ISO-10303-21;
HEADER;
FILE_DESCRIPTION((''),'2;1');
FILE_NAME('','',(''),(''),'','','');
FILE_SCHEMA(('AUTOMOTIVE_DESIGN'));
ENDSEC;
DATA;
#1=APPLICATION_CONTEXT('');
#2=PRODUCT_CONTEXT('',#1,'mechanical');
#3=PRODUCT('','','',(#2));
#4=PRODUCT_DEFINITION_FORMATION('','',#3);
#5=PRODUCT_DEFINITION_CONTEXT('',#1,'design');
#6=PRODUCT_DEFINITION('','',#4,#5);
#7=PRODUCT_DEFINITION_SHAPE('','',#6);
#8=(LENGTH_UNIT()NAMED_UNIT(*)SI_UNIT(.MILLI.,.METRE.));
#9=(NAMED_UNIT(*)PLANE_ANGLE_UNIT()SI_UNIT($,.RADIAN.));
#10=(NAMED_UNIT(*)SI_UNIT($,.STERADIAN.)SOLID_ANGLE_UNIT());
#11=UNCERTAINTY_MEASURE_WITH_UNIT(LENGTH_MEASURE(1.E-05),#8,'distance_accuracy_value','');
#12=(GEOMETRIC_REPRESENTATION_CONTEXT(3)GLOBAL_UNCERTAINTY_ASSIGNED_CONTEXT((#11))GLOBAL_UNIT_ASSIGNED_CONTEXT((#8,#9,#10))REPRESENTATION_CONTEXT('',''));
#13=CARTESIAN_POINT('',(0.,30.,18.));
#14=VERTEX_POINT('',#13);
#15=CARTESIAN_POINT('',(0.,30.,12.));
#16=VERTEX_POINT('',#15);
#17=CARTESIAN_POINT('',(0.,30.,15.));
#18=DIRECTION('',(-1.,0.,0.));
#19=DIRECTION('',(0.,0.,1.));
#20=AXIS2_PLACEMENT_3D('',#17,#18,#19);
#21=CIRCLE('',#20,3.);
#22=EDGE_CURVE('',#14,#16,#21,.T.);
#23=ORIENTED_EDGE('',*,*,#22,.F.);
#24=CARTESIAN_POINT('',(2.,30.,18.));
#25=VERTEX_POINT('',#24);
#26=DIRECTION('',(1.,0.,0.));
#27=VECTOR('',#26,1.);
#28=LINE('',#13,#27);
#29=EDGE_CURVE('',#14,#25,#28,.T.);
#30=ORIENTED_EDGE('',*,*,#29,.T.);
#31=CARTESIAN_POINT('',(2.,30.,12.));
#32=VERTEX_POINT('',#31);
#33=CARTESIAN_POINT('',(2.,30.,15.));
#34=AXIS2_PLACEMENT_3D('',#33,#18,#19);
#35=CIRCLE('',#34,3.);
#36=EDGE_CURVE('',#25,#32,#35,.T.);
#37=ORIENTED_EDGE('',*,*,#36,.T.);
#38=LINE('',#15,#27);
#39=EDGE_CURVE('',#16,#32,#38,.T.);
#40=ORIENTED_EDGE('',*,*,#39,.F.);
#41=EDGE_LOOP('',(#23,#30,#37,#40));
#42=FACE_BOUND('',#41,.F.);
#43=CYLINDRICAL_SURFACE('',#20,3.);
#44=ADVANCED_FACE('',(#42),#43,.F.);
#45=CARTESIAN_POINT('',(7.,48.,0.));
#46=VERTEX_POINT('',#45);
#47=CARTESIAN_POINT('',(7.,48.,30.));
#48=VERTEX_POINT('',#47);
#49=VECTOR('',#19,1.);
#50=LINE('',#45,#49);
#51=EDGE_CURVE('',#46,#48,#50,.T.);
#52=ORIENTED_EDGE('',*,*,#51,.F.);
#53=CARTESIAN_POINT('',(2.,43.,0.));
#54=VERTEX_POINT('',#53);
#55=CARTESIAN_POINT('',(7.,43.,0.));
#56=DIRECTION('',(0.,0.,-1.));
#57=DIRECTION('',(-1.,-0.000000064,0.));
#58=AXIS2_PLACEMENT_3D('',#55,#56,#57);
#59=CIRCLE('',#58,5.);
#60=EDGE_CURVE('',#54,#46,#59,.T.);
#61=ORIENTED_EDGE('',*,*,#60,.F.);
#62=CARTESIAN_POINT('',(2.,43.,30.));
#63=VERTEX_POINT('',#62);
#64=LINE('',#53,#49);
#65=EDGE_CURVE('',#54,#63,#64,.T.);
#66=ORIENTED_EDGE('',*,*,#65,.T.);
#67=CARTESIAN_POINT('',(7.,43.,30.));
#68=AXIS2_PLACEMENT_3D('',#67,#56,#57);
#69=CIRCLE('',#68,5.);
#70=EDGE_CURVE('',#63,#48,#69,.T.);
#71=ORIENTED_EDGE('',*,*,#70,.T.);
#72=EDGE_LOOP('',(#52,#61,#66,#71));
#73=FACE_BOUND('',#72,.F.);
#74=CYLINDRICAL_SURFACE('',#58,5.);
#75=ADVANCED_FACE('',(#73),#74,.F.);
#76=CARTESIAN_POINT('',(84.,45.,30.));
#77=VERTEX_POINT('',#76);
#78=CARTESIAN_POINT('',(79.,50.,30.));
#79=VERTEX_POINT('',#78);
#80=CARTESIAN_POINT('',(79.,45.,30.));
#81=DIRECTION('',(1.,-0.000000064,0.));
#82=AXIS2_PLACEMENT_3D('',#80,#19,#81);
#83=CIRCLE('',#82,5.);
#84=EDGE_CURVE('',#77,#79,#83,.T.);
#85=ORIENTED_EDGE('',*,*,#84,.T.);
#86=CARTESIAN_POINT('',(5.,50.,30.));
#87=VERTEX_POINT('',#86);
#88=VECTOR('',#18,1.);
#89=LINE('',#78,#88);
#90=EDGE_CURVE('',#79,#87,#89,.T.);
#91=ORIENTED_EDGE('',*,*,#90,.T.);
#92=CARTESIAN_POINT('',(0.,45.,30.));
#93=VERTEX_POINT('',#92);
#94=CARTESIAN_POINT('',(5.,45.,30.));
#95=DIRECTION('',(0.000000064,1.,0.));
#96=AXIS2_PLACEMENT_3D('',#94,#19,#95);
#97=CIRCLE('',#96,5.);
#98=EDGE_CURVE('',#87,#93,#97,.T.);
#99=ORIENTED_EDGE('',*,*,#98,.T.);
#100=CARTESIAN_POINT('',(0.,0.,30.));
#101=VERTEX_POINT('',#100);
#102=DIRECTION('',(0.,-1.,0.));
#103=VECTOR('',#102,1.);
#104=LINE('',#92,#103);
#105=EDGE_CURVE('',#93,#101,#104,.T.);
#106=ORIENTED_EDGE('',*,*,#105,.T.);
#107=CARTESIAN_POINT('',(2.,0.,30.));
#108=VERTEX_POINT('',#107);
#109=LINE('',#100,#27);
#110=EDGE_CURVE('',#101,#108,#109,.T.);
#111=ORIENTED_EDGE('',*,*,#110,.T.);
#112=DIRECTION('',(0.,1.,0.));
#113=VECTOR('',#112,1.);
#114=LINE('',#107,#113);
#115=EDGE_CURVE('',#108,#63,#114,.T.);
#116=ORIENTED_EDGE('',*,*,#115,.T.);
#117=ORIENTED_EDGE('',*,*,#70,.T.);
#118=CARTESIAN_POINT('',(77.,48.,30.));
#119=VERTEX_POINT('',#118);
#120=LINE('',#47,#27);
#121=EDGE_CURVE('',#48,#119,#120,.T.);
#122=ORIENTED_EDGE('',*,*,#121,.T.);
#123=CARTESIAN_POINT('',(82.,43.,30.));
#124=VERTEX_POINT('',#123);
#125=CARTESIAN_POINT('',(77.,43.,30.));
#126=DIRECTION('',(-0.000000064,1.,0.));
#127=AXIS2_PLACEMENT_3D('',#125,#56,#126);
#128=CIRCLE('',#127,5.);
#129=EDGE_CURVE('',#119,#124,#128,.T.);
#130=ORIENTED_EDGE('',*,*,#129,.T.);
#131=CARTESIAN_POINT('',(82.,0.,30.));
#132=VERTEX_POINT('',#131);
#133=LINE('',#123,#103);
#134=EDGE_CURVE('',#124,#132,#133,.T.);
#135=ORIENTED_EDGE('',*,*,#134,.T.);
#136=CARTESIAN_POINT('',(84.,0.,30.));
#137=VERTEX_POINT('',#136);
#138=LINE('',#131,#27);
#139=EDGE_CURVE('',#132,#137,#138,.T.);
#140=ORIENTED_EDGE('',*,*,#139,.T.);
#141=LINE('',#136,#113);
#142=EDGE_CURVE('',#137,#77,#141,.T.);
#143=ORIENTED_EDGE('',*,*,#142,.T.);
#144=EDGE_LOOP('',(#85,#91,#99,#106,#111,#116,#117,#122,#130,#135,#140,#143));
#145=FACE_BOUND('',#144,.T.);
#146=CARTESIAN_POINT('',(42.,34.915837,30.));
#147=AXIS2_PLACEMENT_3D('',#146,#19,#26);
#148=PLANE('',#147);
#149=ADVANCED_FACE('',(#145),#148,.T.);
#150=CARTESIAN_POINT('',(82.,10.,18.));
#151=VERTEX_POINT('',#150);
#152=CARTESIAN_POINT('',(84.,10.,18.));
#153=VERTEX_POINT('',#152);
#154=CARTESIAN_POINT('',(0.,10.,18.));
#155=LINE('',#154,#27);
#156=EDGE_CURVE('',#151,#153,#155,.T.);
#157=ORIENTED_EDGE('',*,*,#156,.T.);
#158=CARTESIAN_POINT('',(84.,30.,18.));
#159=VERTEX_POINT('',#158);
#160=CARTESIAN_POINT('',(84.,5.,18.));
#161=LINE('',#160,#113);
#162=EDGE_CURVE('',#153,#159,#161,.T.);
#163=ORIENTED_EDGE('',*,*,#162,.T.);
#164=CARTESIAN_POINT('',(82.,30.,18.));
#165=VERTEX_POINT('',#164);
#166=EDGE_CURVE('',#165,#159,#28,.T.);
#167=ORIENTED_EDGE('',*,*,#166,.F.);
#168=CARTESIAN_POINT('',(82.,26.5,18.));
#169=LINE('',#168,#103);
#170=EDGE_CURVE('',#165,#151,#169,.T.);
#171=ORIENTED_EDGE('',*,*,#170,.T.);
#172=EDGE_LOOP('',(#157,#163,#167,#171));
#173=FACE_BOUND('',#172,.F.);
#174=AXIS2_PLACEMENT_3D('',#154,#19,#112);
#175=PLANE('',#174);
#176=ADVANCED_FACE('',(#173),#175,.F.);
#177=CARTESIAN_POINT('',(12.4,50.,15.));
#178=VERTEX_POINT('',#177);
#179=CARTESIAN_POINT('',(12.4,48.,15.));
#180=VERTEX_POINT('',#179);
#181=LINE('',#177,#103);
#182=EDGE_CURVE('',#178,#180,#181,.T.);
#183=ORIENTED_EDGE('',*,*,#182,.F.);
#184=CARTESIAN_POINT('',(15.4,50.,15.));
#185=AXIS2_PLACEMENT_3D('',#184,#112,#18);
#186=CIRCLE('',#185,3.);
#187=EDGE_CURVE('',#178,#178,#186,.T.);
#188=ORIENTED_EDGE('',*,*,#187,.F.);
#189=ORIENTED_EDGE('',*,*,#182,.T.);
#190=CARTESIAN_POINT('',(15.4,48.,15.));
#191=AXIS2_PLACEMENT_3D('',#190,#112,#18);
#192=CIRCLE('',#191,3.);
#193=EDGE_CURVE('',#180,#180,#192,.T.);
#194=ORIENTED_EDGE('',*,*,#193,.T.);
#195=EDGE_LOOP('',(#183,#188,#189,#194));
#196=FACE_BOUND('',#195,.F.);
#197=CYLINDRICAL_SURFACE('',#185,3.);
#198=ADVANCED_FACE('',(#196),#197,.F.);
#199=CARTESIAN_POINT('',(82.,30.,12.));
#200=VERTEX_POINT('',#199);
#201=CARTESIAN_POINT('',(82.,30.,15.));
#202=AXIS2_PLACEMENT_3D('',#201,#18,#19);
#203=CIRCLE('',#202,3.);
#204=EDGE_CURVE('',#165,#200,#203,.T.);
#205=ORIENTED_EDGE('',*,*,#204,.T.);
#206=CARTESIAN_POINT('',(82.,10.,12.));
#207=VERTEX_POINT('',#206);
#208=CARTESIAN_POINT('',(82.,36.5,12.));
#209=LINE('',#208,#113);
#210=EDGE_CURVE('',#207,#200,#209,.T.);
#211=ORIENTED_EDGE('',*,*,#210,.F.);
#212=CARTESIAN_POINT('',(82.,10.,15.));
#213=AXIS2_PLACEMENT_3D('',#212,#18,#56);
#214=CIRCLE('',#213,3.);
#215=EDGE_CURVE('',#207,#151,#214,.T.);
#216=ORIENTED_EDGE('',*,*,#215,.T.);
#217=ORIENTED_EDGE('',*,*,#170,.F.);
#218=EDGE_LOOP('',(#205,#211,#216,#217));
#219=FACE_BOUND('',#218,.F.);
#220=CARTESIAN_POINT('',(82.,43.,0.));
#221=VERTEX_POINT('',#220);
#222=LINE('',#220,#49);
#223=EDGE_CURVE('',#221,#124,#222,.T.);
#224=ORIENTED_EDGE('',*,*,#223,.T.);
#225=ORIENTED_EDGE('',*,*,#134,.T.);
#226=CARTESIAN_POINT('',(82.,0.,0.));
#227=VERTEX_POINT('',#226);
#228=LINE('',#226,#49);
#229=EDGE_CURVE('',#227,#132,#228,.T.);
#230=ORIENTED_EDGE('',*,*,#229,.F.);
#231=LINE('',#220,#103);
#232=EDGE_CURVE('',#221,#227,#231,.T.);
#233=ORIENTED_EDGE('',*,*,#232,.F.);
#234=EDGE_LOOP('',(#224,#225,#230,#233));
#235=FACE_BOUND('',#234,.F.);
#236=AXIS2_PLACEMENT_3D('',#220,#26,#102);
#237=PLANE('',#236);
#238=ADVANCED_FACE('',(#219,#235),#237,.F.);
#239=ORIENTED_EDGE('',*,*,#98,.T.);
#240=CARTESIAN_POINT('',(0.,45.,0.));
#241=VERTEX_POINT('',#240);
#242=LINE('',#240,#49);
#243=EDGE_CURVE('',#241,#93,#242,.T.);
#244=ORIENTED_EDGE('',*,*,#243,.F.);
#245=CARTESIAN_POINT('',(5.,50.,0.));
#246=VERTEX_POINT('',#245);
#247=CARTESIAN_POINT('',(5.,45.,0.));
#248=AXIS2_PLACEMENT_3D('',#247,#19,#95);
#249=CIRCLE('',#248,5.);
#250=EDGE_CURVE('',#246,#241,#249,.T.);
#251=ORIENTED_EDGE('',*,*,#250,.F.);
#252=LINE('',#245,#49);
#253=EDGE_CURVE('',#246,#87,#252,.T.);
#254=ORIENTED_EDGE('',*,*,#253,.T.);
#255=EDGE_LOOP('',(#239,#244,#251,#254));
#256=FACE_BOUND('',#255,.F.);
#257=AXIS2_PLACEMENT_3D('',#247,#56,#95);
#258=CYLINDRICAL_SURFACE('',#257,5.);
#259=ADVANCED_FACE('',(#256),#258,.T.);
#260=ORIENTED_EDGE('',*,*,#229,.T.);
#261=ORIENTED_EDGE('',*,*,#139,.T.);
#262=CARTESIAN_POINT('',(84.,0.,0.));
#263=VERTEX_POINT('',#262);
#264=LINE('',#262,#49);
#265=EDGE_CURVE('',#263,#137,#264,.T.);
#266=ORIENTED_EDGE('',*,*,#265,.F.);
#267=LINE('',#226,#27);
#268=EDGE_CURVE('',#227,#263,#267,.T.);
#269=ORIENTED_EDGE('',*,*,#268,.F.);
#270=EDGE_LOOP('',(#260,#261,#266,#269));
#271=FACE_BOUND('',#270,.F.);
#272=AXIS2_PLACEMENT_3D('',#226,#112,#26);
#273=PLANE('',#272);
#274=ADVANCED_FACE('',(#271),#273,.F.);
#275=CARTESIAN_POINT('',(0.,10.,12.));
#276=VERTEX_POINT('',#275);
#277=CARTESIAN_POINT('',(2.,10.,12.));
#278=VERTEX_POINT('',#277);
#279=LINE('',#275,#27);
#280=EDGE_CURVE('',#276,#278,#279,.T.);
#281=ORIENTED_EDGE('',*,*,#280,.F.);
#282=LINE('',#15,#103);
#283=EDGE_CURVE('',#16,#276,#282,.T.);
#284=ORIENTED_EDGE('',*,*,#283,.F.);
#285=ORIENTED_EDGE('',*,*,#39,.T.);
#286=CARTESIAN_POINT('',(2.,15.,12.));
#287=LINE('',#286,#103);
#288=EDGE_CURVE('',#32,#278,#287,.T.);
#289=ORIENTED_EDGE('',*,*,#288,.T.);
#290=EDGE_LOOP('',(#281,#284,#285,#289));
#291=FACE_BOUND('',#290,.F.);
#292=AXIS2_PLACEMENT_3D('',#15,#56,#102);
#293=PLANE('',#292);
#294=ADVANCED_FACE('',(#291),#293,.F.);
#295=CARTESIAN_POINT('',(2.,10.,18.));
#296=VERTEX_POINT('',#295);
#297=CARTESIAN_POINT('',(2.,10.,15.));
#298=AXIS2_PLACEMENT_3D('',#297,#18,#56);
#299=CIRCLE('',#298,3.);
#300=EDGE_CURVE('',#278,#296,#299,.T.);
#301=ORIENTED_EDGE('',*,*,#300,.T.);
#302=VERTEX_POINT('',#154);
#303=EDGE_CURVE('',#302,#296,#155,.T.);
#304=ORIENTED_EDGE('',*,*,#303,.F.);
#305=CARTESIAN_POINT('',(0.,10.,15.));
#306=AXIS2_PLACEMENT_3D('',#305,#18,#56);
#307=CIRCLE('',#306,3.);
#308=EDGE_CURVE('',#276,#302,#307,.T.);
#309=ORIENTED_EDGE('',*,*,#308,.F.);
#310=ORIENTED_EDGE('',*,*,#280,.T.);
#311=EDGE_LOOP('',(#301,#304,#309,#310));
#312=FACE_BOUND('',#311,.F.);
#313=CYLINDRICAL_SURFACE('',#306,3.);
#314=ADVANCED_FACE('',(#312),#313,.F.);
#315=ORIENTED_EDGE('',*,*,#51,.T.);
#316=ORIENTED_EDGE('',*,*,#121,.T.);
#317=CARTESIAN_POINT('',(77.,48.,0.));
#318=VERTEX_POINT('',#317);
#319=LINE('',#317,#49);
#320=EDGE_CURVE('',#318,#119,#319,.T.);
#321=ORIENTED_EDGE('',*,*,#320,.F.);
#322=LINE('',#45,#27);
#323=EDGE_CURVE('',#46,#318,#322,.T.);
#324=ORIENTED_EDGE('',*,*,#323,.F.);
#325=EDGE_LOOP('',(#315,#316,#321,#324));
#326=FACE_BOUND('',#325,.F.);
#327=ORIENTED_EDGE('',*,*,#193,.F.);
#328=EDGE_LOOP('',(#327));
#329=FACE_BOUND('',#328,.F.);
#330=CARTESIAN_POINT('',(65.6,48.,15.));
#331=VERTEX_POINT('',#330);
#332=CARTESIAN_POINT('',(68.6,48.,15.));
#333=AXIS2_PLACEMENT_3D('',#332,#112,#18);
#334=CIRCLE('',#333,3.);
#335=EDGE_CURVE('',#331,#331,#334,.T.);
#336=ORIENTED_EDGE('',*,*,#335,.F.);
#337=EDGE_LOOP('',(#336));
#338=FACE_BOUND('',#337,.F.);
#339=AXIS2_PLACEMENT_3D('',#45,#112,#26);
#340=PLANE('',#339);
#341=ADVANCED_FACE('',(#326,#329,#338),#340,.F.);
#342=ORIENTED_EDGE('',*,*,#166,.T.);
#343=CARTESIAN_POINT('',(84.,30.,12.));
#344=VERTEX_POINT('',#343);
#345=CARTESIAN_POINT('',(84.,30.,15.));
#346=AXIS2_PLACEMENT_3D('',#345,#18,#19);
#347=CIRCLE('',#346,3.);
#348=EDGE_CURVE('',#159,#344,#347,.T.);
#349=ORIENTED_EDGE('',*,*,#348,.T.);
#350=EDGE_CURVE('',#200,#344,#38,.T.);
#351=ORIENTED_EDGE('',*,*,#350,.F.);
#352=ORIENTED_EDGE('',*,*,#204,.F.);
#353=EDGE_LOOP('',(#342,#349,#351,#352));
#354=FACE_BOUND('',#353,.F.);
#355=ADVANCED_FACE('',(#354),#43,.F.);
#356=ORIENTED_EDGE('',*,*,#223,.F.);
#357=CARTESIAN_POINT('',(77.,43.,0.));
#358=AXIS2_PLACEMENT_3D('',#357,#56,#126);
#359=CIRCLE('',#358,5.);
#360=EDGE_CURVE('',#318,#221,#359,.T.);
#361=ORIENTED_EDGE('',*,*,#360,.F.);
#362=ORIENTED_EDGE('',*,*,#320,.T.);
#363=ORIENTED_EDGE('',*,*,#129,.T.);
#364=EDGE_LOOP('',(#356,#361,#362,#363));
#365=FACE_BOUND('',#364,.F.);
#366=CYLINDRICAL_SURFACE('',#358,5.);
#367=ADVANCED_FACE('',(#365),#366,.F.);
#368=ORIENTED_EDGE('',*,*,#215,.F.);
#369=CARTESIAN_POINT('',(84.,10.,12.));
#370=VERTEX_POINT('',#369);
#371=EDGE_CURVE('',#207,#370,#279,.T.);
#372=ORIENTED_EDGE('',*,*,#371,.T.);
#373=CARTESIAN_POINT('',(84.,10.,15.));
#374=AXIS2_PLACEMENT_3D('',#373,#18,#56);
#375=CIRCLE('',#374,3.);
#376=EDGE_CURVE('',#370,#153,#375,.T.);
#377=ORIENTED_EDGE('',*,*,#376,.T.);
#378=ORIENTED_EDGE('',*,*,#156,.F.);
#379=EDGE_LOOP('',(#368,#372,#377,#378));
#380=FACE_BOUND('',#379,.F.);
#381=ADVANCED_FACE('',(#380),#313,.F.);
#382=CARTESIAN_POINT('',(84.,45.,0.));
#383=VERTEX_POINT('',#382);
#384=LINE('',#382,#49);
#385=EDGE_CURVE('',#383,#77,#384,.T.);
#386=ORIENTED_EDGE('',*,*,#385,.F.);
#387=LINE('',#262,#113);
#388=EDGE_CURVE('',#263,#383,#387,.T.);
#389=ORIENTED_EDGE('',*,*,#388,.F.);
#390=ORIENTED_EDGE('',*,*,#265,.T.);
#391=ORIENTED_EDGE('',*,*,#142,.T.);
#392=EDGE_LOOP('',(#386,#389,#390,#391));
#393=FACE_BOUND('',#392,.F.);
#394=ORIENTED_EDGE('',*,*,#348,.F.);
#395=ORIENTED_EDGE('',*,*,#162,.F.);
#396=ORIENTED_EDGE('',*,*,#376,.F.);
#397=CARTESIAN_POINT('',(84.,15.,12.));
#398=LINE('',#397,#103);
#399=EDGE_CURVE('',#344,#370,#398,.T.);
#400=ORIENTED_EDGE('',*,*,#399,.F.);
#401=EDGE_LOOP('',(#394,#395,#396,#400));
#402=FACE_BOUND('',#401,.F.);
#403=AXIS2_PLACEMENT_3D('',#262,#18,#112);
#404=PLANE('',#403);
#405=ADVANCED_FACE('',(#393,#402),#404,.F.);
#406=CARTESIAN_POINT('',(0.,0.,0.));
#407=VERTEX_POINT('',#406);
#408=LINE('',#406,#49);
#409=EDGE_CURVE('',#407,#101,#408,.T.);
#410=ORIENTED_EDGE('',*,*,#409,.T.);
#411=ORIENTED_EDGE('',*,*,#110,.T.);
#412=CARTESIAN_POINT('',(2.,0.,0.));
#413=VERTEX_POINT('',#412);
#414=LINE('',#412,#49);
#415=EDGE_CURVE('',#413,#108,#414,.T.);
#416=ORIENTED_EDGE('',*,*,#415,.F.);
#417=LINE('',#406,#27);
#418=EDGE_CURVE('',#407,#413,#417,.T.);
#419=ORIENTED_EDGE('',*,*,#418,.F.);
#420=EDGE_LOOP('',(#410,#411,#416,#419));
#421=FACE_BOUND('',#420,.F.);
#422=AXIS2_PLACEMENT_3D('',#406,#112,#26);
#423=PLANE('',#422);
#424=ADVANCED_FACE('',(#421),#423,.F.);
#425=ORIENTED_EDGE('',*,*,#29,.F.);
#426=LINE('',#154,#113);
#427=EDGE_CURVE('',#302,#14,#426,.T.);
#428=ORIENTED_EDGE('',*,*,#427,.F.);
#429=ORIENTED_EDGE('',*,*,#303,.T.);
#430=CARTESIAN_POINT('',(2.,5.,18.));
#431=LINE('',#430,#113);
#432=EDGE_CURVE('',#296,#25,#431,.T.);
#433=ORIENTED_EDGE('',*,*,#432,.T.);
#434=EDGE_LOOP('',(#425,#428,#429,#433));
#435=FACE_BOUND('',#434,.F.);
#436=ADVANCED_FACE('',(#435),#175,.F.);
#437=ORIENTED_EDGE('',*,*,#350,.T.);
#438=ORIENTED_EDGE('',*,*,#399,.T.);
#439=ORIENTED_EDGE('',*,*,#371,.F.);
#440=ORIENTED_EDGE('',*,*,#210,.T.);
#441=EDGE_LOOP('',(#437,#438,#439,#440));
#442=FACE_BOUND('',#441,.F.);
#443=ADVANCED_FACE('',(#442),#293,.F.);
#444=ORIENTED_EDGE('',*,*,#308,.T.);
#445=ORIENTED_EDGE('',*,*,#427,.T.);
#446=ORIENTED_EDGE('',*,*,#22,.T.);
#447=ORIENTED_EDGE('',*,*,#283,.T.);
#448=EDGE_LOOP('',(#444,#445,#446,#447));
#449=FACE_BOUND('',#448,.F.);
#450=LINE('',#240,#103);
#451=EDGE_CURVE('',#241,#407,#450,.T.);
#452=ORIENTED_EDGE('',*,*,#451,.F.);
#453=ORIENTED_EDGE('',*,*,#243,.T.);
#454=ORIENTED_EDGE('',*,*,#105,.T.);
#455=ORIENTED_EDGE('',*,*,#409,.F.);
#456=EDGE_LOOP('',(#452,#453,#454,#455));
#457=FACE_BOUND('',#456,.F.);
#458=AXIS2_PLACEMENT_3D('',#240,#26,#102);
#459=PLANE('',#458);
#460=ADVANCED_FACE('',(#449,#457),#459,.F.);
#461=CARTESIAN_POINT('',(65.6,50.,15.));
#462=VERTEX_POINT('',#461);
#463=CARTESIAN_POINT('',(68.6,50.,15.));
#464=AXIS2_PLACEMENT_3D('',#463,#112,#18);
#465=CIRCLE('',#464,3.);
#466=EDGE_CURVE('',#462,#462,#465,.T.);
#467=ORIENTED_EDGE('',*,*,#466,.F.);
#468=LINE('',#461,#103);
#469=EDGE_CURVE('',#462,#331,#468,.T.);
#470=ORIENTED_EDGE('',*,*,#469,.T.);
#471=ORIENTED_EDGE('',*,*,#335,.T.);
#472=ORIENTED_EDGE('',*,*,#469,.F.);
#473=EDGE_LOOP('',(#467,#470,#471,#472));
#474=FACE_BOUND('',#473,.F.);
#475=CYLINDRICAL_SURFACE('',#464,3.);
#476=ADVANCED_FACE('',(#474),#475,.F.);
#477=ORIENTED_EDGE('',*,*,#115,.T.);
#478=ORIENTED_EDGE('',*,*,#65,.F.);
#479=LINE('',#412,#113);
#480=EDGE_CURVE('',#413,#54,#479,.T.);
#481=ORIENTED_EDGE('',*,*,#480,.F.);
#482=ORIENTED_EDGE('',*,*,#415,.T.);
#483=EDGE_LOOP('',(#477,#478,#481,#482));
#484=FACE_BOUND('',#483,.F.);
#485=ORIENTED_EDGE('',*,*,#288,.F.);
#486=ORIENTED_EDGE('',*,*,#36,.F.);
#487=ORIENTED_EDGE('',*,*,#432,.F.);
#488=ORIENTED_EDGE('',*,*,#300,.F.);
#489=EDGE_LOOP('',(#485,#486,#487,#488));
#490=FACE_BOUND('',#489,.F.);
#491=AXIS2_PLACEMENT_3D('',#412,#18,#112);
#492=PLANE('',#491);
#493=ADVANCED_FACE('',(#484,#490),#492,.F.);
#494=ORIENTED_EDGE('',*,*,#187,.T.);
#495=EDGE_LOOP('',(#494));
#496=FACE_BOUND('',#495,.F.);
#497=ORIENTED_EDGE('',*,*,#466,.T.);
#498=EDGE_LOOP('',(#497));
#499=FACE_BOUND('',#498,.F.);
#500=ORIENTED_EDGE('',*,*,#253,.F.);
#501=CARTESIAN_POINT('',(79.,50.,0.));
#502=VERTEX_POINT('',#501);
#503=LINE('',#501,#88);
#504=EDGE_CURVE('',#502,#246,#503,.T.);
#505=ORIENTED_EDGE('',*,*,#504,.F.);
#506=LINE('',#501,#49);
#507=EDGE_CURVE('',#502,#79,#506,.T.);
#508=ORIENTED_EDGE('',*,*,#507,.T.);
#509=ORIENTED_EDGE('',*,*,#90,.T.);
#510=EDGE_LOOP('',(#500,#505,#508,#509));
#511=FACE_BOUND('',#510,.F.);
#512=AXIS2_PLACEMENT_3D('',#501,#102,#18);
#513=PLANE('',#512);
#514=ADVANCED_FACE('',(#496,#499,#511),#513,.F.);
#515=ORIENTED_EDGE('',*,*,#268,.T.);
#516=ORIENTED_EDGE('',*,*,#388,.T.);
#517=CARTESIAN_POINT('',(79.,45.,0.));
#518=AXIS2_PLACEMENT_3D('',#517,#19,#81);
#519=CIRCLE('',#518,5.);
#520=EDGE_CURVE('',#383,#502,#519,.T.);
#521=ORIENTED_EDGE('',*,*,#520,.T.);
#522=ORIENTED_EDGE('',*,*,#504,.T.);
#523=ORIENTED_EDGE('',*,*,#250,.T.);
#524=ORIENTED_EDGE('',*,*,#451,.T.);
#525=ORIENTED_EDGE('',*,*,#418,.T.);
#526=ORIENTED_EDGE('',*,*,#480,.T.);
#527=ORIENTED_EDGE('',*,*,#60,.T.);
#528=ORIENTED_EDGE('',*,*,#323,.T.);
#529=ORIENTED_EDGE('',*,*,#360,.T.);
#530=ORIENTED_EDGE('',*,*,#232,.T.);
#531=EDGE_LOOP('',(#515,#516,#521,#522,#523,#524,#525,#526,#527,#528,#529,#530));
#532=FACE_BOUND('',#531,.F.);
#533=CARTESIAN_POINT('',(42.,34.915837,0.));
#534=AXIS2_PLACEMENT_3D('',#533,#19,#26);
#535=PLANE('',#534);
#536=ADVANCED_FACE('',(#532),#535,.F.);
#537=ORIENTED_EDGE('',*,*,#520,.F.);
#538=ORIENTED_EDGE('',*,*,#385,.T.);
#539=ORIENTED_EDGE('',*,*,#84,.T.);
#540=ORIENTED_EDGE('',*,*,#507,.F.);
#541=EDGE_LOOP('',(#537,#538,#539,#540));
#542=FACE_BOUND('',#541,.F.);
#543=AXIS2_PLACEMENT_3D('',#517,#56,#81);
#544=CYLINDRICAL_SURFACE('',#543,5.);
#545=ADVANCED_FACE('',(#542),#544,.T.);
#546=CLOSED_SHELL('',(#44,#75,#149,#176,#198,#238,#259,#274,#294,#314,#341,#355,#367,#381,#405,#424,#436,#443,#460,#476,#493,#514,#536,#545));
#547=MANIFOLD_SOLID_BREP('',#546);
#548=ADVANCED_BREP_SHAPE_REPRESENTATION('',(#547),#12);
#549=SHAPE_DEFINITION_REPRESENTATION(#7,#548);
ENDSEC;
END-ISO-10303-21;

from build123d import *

# Parameters (mm, degrees)
F1_DEPTH = 30
F3_DEPTH = 84.001
F4_R     = 3
F5_DEPTH = 50.001


with BuildPart() as f1:
    # F0 (on Top) → F1 (new body)
    with BuildSketch(Plane.XY):
        with BuildLine():
            Line((0, 45), (0, 0))
            Line((0, 0), (2, 0))
            Line((2, 0), (2, 43))
            ThreePointArc((2, 43), (3.464466, 46.535534), (7, 48))
            Line((7, 48), (77, 48))
            ThreePointArc((77, 48), (80.535534, 46.535534), (82, 43))
            Line((82, 43), (82, 0))
            Line((82, 0), (84, 0))
            Line((84, 0), (84, 45))
            ThreePointArc((84, 45), (82.535534, 48.535534), (79, 50))
            Line((79, 50), (5, 50))
            ThreePointArc((5, 50), (1.464466, 48.535534), (0, 45))
        make_face()
    extrude(amount=F1_DEPTH)

    # F2 (on face) → F3 (cut, through all)
    with BuildSketch(Plane(origin=(0, 0, 0), x_dir=(0, -1, 0), z_dir=(-1, 0, 0))):
        with BuildLine():
            Line((-10, 18), (-30, 18))
            ThreePointArc((-30, 18), (-33, 15), (-30, 12))
            Line((-30, 12), (-10, 12))
            ThreePointArc((-10, 12), (-7, 15), (-10, 18))
        make_face()
    extrude(amount=-F3_DEPTH, mode=Mode.SUBTRACT)

    # F4 (on face) → F5 (cut, through all)
    with BuildSketch(Plane(origin=(0, 50, 0), x_dir=(-1, 0, 0), z_dir=(0, 1, 0))):
        with Locations((-68.6, 15)):
            Circle(F4_R)
        with Locations((-15.4, 15)):
            Circle(F4_R)
    extrude(amount=-F5_DEPTH, mode=Mode.SUBTRACT)


solid = f1.part
